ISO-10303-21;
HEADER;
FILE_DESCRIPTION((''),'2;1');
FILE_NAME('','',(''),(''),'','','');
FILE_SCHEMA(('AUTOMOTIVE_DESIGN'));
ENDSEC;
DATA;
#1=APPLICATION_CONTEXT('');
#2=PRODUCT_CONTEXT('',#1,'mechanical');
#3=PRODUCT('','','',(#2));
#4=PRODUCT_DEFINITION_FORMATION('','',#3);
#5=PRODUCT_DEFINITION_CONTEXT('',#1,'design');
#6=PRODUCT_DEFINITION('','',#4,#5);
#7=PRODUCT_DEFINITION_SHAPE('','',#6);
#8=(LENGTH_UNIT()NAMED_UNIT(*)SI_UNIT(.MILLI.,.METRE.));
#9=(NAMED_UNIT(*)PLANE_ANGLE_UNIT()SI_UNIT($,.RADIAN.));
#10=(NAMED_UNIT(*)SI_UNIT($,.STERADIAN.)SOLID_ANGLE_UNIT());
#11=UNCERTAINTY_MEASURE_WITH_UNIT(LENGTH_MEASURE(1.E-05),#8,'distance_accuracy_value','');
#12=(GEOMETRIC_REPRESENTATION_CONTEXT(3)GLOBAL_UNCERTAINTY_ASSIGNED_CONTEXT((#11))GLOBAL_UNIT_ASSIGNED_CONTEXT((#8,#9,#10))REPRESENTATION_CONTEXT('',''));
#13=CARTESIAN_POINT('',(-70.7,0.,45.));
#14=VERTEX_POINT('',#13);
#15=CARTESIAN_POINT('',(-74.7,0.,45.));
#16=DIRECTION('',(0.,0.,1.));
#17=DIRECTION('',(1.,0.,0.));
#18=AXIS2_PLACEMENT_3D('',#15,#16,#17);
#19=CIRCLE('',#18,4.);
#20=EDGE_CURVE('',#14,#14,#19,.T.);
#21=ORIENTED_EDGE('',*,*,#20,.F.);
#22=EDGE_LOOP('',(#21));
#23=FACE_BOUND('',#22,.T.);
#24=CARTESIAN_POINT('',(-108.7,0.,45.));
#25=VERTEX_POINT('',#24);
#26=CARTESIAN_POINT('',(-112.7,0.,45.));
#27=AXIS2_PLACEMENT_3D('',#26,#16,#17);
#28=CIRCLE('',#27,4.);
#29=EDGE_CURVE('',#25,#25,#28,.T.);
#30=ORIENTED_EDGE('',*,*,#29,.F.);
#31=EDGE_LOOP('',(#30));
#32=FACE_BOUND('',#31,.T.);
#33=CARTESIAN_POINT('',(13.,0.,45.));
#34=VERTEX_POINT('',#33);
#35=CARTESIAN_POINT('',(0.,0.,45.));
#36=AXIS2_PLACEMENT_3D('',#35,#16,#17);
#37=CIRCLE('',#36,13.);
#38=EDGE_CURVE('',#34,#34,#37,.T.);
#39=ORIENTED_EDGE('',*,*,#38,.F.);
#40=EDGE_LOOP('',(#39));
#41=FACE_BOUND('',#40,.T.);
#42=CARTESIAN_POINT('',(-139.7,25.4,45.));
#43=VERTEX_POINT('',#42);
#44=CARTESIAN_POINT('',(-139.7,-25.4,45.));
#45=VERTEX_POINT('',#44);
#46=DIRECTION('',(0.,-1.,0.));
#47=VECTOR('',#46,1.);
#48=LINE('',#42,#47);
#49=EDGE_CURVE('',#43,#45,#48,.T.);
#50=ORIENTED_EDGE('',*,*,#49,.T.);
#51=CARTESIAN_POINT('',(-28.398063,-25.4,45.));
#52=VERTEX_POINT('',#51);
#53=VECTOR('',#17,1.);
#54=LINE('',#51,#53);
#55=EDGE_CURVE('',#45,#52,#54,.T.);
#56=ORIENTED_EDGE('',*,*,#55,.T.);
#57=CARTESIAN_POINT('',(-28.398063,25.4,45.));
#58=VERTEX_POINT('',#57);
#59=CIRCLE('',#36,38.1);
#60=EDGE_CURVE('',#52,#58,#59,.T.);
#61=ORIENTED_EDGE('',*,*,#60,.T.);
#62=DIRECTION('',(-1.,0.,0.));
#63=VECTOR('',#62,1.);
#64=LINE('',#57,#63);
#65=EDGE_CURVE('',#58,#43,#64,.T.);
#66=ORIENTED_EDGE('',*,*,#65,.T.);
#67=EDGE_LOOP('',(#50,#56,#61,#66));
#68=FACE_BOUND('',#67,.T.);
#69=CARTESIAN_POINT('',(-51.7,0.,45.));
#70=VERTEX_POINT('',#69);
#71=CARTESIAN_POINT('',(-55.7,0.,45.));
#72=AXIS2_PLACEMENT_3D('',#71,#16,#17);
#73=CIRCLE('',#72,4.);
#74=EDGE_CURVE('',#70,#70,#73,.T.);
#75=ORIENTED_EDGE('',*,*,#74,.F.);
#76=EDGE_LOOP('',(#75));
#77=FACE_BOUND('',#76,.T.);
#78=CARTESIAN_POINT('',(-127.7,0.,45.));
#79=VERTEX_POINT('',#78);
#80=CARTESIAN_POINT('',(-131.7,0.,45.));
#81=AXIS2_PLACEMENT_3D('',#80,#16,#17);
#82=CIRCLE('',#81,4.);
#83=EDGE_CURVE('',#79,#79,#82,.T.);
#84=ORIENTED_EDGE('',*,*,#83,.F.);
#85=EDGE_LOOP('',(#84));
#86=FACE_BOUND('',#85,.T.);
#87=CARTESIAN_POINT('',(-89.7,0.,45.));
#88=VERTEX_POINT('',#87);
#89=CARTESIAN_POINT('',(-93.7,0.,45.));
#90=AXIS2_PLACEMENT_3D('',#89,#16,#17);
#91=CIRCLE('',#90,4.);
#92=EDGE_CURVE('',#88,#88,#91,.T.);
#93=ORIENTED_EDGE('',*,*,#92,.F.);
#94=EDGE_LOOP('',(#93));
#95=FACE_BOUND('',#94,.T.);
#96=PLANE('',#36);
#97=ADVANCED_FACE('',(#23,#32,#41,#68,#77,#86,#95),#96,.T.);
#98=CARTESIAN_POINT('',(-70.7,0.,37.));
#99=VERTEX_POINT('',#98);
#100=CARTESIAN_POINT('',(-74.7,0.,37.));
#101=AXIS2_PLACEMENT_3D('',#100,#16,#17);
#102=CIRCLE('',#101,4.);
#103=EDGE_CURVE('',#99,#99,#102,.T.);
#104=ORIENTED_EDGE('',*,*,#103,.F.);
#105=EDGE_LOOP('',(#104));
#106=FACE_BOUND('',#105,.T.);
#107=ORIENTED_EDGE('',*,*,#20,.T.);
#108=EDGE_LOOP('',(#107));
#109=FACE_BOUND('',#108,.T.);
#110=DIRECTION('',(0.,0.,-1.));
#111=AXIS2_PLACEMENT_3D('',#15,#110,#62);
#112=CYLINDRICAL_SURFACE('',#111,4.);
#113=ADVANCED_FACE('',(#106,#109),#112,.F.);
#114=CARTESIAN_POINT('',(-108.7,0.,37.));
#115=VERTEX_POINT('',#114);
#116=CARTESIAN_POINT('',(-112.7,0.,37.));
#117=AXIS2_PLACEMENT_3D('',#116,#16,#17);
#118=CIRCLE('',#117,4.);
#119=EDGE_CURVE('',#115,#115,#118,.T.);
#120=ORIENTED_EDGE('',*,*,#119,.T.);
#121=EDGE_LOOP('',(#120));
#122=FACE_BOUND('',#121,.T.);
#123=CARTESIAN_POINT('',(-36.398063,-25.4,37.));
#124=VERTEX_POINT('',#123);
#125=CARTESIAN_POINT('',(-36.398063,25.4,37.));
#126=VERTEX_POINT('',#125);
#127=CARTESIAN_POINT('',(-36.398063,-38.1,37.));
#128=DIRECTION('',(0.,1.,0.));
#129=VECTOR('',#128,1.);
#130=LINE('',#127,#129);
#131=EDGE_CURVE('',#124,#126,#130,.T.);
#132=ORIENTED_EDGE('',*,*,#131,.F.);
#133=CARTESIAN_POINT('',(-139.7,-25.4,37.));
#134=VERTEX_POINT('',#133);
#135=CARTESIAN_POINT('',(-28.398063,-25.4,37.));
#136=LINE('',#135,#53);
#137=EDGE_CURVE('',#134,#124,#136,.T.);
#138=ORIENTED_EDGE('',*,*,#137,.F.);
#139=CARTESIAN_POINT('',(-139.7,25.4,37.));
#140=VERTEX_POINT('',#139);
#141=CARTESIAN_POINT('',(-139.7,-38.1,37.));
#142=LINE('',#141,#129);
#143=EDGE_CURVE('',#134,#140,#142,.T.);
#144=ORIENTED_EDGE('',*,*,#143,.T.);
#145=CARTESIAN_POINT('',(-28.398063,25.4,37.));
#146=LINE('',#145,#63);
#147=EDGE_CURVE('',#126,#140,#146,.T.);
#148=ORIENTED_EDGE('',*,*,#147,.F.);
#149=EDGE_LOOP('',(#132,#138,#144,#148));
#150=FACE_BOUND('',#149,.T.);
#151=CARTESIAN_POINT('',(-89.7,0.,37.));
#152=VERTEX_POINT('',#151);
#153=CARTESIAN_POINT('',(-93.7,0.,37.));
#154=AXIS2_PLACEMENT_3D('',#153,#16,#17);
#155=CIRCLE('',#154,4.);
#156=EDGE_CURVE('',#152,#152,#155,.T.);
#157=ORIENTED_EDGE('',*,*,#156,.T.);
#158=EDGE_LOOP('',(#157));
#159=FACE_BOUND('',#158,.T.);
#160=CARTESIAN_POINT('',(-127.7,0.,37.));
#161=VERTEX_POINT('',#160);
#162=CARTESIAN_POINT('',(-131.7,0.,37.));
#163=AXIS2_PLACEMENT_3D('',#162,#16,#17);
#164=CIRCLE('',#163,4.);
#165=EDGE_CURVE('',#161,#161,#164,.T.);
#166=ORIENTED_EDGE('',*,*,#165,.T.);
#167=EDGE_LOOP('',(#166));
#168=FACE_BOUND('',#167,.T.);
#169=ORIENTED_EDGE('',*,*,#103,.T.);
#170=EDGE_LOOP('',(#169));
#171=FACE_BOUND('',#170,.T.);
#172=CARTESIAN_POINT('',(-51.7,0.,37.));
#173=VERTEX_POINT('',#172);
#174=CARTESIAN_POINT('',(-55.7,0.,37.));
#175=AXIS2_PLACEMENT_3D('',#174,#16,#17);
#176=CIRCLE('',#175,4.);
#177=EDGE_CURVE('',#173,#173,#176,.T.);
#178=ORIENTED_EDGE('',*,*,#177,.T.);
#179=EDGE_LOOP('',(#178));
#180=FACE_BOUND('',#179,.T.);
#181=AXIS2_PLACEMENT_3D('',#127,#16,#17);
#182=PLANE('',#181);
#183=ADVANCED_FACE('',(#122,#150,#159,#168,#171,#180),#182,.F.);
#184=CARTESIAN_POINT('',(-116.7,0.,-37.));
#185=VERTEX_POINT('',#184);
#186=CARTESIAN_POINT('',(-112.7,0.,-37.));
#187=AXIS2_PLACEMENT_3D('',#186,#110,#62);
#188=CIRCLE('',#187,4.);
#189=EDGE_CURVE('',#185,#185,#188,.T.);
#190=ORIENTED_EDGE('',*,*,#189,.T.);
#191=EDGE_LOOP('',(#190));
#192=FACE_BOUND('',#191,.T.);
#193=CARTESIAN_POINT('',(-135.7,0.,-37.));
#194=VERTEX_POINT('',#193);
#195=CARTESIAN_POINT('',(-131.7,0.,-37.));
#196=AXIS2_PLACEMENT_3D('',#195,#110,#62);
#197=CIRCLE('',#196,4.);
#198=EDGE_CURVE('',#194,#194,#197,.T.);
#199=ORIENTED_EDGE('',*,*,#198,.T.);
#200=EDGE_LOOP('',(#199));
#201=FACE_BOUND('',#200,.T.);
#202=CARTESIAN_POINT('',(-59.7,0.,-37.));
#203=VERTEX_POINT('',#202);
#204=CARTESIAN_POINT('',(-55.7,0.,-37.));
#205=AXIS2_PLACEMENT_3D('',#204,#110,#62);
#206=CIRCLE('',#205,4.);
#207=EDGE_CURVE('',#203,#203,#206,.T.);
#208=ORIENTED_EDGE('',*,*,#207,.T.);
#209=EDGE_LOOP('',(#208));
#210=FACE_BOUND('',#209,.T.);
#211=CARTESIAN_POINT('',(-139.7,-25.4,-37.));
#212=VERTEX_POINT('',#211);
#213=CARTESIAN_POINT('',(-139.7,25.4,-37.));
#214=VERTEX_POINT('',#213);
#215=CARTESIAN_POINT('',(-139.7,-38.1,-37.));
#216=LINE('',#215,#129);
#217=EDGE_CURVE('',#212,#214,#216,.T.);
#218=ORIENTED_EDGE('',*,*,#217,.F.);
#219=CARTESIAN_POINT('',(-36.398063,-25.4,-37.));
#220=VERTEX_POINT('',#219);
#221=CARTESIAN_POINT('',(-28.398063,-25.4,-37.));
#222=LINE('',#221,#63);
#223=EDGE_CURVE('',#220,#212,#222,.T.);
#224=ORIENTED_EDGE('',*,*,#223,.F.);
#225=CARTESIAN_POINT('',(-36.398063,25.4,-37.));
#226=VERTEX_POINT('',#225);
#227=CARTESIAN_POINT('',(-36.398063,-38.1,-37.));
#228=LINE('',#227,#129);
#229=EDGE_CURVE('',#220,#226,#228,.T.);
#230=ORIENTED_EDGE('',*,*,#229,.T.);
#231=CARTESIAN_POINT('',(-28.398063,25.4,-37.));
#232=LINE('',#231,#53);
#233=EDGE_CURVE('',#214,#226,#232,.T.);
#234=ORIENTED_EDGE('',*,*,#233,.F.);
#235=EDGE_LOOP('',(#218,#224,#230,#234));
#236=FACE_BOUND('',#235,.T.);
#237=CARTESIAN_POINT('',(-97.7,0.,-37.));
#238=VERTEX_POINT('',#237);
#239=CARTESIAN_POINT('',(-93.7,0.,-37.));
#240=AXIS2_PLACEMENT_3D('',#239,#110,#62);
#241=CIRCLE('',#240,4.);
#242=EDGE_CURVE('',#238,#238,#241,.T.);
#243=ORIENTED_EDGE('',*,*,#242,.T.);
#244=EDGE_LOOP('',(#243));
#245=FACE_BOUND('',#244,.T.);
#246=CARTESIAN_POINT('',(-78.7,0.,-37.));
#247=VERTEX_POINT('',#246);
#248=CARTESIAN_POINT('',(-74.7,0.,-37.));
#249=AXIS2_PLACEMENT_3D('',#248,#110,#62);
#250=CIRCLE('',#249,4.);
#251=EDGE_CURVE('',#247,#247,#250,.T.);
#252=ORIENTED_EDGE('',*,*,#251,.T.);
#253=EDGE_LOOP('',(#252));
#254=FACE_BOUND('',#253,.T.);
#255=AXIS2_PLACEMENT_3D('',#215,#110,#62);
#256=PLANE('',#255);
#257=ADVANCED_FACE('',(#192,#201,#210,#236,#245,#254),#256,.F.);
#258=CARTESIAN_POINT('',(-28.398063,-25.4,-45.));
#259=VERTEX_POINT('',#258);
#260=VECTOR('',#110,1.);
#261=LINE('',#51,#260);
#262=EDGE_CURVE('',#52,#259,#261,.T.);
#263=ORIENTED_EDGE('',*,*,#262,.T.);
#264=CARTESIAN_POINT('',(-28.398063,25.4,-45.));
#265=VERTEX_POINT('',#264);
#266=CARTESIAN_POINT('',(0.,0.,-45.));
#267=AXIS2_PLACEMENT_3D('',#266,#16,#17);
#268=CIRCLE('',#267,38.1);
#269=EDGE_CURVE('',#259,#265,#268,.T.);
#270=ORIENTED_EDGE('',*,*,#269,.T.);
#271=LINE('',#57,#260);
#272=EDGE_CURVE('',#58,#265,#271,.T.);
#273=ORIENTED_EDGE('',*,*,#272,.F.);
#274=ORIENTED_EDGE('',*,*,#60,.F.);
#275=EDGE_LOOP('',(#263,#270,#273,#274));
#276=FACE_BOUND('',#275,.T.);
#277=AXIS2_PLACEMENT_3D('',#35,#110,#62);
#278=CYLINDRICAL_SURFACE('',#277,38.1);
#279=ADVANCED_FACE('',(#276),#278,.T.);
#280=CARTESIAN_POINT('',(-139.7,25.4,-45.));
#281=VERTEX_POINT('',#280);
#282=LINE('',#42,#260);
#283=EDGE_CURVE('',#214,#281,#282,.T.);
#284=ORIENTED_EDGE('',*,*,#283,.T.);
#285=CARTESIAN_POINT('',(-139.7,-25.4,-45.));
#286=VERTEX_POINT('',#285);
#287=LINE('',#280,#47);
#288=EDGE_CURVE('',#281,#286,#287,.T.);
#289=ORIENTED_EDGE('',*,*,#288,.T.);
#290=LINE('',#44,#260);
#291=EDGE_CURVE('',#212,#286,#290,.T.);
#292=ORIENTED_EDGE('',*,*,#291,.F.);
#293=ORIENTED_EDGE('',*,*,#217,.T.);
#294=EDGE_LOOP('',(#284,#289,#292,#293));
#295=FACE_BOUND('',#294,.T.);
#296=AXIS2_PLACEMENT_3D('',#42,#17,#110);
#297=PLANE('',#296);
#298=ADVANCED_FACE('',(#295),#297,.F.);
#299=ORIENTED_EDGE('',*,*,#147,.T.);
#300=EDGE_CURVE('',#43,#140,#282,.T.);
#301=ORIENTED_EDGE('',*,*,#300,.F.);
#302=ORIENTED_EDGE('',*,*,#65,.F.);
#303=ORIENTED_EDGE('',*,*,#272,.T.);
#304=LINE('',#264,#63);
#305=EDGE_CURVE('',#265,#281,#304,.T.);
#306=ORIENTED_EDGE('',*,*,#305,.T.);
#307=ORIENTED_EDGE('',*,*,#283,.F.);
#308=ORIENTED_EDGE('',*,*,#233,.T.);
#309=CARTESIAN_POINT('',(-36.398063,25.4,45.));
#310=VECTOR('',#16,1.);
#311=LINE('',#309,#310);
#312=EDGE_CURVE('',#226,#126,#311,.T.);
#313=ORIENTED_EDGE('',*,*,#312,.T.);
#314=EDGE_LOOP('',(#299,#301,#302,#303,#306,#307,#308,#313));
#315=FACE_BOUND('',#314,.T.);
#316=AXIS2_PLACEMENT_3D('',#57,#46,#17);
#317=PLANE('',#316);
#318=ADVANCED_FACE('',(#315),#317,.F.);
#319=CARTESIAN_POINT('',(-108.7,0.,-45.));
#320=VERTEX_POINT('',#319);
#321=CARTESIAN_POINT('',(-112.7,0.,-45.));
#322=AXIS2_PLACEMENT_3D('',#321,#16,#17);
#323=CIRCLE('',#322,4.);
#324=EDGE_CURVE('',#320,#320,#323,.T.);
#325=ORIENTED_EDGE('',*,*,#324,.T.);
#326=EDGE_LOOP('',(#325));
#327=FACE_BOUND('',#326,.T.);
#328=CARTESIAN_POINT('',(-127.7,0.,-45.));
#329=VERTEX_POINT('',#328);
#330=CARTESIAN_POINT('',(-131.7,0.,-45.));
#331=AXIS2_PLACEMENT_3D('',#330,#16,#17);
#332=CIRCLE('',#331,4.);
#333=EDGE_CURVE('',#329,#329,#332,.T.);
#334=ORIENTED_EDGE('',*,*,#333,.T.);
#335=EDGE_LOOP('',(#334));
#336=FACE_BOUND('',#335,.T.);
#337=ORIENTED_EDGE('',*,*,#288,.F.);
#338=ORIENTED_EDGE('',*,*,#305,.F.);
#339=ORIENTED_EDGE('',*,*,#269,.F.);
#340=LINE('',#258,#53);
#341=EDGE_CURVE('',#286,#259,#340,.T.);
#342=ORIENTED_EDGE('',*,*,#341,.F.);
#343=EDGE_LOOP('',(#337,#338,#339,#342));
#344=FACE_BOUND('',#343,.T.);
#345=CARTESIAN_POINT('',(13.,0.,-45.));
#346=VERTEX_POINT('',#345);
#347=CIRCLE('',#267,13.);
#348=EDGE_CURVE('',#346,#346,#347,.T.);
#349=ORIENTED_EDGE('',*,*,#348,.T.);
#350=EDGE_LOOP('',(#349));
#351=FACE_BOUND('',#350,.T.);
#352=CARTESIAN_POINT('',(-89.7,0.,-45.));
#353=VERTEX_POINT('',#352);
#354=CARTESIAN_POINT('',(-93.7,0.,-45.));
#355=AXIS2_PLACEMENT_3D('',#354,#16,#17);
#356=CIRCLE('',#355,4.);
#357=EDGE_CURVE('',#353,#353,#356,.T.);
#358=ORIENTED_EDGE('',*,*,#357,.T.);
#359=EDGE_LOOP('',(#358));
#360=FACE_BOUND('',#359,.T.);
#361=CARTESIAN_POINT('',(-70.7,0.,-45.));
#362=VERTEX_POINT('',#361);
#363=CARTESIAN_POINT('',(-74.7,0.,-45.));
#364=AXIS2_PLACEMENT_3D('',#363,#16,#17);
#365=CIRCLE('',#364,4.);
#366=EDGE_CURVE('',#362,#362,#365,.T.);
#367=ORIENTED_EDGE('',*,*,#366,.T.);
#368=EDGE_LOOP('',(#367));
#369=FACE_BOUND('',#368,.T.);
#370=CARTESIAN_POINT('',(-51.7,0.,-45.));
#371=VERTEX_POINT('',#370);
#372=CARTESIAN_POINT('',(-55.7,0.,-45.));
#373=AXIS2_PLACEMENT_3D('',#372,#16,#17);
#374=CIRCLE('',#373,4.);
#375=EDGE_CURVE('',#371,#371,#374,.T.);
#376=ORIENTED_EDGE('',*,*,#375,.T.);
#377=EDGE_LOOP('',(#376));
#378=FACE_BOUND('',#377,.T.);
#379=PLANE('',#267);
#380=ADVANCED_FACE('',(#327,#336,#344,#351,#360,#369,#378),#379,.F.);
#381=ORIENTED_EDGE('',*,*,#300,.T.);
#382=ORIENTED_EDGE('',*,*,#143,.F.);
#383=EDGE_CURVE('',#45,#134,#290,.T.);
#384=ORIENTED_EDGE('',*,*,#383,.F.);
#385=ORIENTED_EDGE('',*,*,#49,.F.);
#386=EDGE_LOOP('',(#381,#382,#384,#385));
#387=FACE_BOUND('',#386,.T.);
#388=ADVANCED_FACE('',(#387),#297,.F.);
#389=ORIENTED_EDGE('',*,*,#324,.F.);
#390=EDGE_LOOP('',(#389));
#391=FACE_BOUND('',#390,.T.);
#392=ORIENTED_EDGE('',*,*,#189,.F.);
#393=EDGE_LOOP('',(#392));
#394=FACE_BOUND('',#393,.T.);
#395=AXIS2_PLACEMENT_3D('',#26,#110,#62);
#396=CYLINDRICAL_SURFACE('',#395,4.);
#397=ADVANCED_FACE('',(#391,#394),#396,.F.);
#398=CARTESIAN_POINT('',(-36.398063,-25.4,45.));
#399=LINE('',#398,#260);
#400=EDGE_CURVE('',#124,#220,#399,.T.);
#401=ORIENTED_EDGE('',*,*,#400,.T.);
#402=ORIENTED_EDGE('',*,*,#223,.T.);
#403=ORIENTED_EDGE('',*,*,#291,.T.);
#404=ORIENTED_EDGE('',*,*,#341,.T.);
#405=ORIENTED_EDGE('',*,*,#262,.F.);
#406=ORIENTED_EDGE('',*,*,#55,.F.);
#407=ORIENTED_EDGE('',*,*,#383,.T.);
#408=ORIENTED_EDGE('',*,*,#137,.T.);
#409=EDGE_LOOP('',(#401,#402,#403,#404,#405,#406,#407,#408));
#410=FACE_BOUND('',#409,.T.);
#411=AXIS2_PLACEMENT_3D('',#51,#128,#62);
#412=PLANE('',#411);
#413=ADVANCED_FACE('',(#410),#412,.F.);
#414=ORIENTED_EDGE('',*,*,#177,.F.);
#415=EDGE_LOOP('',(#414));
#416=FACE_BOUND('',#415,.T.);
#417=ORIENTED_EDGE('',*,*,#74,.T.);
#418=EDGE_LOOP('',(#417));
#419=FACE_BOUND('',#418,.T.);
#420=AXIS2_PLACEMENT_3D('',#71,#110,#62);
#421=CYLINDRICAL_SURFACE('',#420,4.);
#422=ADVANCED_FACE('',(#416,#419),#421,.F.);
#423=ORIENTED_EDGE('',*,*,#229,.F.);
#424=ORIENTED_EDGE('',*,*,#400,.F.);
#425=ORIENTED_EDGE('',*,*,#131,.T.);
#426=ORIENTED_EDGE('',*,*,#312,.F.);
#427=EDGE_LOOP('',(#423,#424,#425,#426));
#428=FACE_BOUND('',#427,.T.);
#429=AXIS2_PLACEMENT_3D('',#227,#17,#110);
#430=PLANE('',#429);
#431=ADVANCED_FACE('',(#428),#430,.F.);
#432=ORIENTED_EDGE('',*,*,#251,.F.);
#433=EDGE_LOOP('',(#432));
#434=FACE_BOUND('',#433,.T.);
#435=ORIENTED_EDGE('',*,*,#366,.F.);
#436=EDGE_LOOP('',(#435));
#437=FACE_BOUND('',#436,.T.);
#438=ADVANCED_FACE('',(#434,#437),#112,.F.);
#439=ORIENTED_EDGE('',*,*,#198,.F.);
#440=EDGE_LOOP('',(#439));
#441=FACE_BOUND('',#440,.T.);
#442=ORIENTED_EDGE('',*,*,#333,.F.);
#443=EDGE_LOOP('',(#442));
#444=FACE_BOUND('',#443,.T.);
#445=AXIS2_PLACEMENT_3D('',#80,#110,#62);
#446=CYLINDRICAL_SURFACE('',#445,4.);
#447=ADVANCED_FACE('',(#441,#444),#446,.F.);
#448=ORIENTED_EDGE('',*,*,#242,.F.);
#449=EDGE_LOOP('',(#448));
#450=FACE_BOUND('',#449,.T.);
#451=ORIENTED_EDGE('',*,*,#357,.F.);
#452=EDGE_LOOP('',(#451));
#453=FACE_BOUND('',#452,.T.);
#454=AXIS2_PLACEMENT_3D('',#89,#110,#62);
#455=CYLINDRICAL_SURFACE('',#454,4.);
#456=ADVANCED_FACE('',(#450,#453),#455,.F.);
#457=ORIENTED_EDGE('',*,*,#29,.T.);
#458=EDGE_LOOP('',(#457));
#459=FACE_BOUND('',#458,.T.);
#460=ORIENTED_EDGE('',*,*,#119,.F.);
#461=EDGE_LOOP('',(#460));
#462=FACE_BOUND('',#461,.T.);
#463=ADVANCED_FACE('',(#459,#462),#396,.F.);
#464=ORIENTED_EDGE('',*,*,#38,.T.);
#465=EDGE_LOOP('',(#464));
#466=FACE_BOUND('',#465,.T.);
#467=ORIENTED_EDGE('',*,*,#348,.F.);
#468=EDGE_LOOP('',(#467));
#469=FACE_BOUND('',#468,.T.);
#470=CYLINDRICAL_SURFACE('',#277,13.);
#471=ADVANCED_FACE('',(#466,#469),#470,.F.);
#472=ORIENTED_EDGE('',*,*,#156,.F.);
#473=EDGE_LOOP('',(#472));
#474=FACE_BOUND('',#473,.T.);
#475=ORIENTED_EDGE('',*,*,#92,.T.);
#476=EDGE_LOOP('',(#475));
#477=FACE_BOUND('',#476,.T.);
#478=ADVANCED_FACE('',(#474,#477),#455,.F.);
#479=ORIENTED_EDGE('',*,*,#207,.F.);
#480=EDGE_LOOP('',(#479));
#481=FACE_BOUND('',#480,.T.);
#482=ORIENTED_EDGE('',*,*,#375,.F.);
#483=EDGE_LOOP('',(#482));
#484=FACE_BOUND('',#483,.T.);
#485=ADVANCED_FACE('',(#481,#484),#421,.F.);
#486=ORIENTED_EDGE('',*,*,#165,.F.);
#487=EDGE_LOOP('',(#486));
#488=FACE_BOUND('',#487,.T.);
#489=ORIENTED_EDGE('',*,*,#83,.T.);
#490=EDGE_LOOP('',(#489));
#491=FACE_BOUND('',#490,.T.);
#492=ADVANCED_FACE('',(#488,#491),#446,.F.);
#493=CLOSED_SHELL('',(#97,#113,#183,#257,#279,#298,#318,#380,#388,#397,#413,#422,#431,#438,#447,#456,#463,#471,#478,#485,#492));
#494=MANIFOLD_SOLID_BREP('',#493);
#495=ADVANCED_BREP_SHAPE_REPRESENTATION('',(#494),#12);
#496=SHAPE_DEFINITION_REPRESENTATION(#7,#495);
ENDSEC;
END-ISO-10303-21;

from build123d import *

# Parameters (mm, degrees)
SKETCH1_R               = 13
SKETCH1_R_2             = 4
BOSS_EXTRUDE1_DEPTH     = 45
SKETCH2_W               = 103.301936686
SKETCH2_H               = 74
CUT_EXTRUDE1_DEPTH      = 13.7
CUT_EXTRUDE1_DEPTH_BACK = 64.5


with BuildPart() as part:
    # Sketch1 → Boss-Extrude1 (new body, symmetric)
    with BuildSketch(Plane.XY):
        with BuildLine():
            Line((-28.398063314, 25.4), (-139.7, 25.4))
            Line((-139.7, 25.4), (-139.7, -25.4))
            Line((-139.7, -25.4), (-28.398063314, -25.4))
            ThreePointArc((-28.398063314, -25.4), (38.1, 0), (-28.398063314, 25.4))
        make_face()
        Circle(SKETCH1_R, mode=Mode.SUBTRACT)
        with Locations((-131.7, 0)):
            Circle(SKETCH1_R_2, mode=Mode.SUBTRACT)
        with Locations((-112.7, 0)):
            Circle(SKETCH1_R_2, mode=Mode.SUBTRACT)
        with Locations((-93.7, 0)):
            Circle(SKETCH1_R_2, mode=Mode.SUBTRACT)
        with Locations((-74.7, 0)):
            Circle(SKETCH1_R_2, mode=Mode.SUBTRACT)
        with Locations((-55.7, 0)):
            Circle(SKETCH1_R_2, mode=Mode.SUBTRACT)
    extrude(amount=BOSS_EXTRUDE1_DEPTH, both=True)

    # Sketch2 → Cut-Extrude1 (cut, two sides)
    with BuildSketch(Plane(origin=(0, 25.4, 0), x_dir=(1, 0, 0), z_dir=(0, 1, 0))) as cut_extrude1_sk:
        with Locations((-88.049031657, 0)):
            Rectangle(SKETCH2_W, SKETCH2_H)
    extrude(amount=CUT_EXTRUDE1_DEPTH, mode=Mode.SUBTRACT)
    extrude(cut_extrude1_sk.sketch, amount=-CUT_EXTRUDE1_DEPTH_BACK, mode=Mode.SUBTRACT)


solid = part.part
